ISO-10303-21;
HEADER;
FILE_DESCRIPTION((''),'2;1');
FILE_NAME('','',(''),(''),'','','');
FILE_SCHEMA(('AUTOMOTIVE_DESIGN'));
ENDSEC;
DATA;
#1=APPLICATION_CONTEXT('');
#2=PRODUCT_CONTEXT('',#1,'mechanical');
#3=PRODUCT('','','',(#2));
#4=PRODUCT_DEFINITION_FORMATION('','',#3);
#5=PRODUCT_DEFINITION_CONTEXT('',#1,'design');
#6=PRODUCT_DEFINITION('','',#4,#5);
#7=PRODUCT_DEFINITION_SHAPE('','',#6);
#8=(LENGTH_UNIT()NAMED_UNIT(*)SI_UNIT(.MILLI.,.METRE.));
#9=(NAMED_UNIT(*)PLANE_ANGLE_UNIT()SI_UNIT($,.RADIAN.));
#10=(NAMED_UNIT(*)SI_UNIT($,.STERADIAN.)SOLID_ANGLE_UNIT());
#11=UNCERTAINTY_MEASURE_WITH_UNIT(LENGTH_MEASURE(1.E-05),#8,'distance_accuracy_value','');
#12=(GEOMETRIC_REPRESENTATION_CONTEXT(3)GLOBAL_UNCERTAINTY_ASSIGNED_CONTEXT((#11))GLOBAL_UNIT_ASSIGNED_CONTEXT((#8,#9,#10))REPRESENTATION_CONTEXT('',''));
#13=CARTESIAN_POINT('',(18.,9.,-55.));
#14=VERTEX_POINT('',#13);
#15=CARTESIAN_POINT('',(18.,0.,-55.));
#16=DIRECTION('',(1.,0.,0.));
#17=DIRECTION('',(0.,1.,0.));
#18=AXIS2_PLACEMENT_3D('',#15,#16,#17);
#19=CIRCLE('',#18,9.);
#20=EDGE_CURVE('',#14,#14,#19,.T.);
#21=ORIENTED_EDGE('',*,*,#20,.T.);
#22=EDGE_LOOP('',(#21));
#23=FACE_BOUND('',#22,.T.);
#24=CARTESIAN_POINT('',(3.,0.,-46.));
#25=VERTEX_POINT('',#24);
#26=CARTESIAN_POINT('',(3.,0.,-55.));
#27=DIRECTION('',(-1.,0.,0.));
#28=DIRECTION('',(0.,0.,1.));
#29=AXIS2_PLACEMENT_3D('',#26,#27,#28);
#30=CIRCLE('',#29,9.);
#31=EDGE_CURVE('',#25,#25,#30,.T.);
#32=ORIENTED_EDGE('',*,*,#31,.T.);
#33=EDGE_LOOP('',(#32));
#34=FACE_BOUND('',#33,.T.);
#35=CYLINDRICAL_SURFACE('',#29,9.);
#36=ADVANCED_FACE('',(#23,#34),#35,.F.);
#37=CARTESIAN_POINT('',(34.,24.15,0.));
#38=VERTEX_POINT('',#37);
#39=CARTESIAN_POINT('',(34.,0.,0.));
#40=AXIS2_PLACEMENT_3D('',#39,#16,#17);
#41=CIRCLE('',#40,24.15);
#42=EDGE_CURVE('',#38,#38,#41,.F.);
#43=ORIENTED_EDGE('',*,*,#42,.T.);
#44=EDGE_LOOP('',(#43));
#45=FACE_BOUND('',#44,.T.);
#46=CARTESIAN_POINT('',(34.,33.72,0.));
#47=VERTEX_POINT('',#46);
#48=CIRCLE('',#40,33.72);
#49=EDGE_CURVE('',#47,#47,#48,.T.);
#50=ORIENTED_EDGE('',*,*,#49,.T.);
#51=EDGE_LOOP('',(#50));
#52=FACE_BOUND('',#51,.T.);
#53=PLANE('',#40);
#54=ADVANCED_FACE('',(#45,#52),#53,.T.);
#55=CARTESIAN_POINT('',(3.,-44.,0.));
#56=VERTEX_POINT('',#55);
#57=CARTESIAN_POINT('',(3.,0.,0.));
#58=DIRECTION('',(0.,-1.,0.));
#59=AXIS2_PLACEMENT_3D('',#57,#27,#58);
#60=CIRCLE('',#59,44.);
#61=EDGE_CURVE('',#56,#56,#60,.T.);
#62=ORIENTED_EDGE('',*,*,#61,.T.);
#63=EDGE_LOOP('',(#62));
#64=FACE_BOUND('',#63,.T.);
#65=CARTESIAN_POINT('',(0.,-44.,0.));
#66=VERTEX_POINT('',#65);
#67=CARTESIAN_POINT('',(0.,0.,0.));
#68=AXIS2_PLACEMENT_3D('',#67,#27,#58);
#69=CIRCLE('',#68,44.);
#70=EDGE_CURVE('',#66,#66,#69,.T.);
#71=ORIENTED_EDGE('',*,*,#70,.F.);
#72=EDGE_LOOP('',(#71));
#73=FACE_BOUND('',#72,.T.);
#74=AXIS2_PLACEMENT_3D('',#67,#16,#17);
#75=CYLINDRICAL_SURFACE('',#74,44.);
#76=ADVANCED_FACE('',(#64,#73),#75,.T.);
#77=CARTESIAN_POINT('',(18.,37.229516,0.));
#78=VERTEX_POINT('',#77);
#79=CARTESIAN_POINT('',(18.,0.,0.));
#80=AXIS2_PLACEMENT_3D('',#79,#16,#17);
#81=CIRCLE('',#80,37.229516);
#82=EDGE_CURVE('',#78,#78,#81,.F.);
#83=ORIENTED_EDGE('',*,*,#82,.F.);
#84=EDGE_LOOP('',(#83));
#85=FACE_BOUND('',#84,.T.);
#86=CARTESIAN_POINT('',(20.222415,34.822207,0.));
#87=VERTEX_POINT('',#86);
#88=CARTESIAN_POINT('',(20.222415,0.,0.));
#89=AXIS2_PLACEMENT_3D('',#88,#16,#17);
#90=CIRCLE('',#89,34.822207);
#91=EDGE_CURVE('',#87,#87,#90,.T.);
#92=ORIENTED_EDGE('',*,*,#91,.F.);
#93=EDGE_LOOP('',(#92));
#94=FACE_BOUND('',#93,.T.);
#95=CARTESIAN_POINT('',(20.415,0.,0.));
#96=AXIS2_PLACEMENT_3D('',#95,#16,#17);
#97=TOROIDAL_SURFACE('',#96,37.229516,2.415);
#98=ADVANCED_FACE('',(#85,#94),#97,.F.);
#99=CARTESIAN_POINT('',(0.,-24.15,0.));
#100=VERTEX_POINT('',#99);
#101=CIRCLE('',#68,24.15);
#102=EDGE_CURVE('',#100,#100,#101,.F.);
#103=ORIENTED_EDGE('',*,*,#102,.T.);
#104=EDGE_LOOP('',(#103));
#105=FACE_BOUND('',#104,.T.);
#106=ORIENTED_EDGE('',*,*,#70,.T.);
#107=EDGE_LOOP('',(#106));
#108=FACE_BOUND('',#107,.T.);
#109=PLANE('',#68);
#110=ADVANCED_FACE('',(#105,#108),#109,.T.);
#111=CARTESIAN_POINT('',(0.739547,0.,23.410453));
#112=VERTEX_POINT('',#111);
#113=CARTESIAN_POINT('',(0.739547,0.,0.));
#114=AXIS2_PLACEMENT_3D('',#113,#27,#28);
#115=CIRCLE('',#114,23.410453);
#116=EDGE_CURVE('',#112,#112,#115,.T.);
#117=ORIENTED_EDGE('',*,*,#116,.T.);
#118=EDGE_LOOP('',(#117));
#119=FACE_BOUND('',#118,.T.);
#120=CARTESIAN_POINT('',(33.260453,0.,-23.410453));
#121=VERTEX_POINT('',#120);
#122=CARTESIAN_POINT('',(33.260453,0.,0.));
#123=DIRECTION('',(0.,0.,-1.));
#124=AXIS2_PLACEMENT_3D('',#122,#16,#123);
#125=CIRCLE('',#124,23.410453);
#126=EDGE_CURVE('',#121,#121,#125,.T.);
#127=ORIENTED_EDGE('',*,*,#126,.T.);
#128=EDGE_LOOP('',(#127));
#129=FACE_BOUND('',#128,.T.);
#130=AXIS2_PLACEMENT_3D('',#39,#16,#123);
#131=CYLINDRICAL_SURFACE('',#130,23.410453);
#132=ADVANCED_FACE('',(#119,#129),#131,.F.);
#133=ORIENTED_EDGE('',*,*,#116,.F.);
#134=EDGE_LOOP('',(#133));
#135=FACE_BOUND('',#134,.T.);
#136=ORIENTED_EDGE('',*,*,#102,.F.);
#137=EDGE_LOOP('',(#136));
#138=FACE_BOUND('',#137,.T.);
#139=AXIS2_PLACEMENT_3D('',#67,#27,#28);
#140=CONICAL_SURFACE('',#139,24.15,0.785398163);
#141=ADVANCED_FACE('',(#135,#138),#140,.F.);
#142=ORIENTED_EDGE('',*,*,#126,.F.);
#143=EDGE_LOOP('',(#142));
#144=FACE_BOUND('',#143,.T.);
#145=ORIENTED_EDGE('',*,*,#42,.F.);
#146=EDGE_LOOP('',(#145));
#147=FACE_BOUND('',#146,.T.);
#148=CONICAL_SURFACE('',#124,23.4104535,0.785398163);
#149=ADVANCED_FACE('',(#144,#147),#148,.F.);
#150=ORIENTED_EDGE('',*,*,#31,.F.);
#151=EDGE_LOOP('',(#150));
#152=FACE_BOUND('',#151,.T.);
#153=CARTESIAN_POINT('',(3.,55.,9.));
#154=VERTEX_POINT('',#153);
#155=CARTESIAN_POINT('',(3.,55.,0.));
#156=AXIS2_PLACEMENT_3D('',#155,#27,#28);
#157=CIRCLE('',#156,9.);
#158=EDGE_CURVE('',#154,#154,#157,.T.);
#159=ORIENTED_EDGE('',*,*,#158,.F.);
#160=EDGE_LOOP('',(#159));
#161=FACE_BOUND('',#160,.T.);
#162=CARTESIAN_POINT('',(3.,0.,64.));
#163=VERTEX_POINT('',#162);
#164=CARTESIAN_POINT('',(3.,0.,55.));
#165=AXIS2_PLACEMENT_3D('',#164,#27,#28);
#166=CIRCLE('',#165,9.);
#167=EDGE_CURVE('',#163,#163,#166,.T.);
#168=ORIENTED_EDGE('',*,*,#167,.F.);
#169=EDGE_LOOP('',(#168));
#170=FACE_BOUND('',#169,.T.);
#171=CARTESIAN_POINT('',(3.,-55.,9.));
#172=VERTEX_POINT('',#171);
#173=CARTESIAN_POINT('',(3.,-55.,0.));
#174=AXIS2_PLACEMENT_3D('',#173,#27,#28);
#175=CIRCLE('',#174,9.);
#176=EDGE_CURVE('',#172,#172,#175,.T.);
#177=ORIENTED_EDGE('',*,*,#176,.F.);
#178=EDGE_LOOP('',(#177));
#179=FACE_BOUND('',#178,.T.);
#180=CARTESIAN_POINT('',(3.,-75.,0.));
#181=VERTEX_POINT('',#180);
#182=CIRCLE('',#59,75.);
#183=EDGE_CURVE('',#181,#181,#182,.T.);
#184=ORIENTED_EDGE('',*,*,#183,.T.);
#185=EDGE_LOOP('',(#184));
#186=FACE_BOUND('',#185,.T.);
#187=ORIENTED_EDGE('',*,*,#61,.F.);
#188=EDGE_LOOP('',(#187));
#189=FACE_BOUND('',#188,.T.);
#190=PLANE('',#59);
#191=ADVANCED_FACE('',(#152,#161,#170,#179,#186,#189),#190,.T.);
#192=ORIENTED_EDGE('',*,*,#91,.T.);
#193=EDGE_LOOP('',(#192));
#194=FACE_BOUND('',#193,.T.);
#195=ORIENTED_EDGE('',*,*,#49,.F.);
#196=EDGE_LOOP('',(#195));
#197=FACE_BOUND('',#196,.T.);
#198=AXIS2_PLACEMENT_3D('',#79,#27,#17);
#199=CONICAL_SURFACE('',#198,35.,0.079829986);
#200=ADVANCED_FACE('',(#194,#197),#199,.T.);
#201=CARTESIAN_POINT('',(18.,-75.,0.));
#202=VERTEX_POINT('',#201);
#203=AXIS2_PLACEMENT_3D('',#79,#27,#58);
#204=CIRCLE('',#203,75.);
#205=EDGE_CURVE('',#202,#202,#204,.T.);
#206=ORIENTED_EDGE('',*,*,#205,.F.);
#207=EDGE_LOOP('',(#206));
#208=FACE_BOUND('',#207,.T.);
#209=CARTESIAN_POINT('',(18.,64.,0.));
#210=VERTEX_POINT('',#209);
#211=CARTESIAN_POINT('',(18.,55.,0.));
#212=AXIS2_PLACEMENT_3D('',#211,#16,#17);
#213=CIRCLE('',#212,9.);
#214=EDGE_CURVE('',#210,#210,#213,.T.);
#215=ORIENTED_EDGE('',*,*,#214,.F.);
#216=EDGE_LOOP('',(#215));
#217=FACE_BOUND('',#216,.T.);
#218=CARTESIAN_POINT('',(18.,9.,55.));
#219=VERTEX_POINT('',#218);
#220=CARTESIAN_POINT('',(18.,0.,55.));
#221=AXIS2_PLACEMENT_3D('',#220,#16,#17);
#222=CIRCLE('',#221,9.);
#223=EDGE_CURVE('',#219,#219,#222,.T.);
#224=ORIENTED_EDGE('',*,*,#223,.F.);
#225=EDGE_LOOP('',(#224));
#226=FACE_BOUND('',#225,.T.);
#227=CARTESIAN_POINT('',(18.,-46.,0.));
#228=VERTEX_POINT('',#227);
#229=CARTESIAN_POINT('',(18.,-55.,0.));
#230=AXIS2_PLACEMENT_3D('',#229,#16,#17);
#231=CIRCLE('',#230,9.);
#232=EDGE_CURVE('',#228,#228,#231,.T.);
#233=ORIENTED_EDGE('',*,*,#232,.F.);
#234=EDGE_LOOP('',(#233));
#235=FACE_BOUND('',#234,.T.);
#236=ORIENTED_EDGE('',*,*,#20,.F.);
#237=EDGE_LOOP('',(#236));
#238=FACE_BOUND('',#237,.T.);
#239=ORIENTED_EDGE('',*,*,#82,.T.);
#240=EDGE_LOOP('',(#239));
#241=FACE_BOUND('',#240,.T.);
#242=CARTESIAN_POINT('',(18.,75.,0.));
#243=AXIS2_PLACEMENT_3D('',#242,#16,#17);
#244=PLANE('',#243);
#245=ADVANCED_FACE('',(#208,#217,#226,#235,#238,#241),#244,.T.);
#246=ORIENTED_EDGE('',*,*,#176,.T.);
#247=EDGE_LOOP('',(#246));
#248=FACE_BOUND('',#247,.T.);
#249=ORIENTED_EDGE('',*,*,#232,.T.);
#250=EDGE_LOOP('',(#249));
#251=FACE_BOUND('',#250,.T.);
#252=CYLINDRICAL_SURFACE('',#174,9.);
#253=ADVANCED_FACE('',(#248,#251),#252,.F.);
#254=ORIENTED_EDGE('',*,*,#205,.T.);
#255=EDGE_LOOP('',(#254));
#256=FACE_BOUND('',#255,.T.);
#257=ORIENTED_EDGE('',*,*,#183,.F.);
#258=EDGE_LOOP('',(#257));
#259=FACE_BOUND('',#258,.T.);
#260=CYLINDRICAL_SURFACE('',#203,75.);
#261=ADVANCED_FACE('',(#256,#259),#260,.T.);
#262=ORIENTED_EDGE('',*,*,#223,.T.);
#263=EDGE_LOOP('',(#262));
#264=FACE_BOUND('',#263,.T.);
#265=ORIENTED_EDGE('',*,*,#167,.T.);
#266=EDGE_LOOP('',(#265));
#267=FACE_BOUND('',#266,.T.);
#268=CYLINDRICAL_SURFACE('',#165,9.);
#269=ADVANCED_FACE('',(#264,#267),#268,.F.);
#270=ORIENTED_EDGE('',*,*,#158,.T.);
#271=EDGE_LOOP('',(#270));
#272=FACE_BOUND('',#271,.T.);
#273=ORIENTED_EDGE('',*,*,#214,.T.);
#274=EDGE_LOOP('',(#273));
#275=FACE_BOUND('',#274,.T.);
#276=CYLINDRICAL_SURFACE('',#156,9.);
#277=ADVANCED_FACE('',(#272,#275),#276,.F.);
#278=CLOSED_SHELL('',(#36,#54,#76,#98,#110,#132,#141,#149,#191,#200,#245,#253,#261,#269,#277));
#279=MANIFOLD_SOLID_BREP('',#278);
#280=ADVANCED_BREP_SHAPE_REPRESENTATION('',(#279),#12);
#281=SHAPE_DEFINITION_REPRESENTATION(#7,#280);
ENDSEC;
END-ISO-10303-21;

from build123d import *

# Parameters (mm, degrees)
SKETCH1_W                      = 15
SKETCH1_H                      = 75
SKETCH2_R                      = 44
BOSS_EXTRUDE1_DEPTH            = 3
SKETCH3_R                      = 35
BOSS_EXTRUDE2_DEPTH            = 16
BOSS_EXTRUDE2_TAPER            = 4.57392126
F_18_0_18_DIAMETER_HOLE1_D     = 18
F_18_0_18_DIAMETER_HOLE1_DEPTH = 31
M42_CLEARANCE_HOLE1_D          = 46.820907
M42_CLEARANCE_HOLE1_DEPTH      = 34
CHAMFER1_SIZE                  = 0.7395465
FILLET1_R                      = 2.415


with BuildPart() as part:
    # Sketch1 → Revolve1 (revolve)
    with BuildSketch(Plane(origin=(0, 0, 0), x_dir=(-1, 0, 0), z_dir=(0, 0, -1))):
        with Locations((-10.5, 37.5)):
            Rectangle(SKETCH1_W, SKETCH1_H)
    revolve(axis=Axis((18, 0, 0), (-1, 0, 0)))

    # Sketch2 → Boss-Extrude1 (add)
    with BuildSketch(Plane.ZY.offset(-3)):
        Circle(SKETCH2_R)
    extrude(amount=BOSS_EXTRUDE1_DEPTH)

    # Sketch3 → Boss-Extrude2 (add)
    with BuildSketch(Plane(origin=(18, 0, 0), x_dir=(0, 0, -1), z_dir=(1, 0, 0))):
        Circle(SKETCH3_R)
    extrude(amount=BOSS_EXTRUDE2_DEPTH, taper=BOSS_EXTRUDE2_TAPER)

    # Ø18.0 (18) Diameter Hole1
    with Locations(Plane.ZY.offset(-3)):
        with Locations((0, -55), (-55, 0), (0, 55), (55, 0)):
            Hole(F_18_0_18_DIAMETER_HOLE1_D / 2, depth=F_18_0_18_DIAMETER_HOLE1_DEPTH)

    # M42 Clearance Hole1
    with Locations(Plane(origin=(34, 0, 0), x_dir=(0, 0, -1), z_dir=(1, 0, 0))):
        with Locations((0, 0)):
            Hole(M42_CLEARANCE_HOLE1_D / 2, depth=M42_CLEARANCE_HOLE1_DEPTH)

    # Chamfer1
    chamfer1_edges = [part.edges().sort_by_distance(p)[0] for p in [
        (34, 0, -23.4104535),
        (0, 0, -23.4104535),
    ]]
    chamfer(chamfer1_edges, length=CHAMFER1_SIZE)

    # Fillet1
    fillet1_edges = [part.edges().sort_by_distance(p)[0] for p in [
        (18, 0, 35),
    ]]
    fillet(fillet1_edges, radius=FILLET1_R)


solid = part.part
